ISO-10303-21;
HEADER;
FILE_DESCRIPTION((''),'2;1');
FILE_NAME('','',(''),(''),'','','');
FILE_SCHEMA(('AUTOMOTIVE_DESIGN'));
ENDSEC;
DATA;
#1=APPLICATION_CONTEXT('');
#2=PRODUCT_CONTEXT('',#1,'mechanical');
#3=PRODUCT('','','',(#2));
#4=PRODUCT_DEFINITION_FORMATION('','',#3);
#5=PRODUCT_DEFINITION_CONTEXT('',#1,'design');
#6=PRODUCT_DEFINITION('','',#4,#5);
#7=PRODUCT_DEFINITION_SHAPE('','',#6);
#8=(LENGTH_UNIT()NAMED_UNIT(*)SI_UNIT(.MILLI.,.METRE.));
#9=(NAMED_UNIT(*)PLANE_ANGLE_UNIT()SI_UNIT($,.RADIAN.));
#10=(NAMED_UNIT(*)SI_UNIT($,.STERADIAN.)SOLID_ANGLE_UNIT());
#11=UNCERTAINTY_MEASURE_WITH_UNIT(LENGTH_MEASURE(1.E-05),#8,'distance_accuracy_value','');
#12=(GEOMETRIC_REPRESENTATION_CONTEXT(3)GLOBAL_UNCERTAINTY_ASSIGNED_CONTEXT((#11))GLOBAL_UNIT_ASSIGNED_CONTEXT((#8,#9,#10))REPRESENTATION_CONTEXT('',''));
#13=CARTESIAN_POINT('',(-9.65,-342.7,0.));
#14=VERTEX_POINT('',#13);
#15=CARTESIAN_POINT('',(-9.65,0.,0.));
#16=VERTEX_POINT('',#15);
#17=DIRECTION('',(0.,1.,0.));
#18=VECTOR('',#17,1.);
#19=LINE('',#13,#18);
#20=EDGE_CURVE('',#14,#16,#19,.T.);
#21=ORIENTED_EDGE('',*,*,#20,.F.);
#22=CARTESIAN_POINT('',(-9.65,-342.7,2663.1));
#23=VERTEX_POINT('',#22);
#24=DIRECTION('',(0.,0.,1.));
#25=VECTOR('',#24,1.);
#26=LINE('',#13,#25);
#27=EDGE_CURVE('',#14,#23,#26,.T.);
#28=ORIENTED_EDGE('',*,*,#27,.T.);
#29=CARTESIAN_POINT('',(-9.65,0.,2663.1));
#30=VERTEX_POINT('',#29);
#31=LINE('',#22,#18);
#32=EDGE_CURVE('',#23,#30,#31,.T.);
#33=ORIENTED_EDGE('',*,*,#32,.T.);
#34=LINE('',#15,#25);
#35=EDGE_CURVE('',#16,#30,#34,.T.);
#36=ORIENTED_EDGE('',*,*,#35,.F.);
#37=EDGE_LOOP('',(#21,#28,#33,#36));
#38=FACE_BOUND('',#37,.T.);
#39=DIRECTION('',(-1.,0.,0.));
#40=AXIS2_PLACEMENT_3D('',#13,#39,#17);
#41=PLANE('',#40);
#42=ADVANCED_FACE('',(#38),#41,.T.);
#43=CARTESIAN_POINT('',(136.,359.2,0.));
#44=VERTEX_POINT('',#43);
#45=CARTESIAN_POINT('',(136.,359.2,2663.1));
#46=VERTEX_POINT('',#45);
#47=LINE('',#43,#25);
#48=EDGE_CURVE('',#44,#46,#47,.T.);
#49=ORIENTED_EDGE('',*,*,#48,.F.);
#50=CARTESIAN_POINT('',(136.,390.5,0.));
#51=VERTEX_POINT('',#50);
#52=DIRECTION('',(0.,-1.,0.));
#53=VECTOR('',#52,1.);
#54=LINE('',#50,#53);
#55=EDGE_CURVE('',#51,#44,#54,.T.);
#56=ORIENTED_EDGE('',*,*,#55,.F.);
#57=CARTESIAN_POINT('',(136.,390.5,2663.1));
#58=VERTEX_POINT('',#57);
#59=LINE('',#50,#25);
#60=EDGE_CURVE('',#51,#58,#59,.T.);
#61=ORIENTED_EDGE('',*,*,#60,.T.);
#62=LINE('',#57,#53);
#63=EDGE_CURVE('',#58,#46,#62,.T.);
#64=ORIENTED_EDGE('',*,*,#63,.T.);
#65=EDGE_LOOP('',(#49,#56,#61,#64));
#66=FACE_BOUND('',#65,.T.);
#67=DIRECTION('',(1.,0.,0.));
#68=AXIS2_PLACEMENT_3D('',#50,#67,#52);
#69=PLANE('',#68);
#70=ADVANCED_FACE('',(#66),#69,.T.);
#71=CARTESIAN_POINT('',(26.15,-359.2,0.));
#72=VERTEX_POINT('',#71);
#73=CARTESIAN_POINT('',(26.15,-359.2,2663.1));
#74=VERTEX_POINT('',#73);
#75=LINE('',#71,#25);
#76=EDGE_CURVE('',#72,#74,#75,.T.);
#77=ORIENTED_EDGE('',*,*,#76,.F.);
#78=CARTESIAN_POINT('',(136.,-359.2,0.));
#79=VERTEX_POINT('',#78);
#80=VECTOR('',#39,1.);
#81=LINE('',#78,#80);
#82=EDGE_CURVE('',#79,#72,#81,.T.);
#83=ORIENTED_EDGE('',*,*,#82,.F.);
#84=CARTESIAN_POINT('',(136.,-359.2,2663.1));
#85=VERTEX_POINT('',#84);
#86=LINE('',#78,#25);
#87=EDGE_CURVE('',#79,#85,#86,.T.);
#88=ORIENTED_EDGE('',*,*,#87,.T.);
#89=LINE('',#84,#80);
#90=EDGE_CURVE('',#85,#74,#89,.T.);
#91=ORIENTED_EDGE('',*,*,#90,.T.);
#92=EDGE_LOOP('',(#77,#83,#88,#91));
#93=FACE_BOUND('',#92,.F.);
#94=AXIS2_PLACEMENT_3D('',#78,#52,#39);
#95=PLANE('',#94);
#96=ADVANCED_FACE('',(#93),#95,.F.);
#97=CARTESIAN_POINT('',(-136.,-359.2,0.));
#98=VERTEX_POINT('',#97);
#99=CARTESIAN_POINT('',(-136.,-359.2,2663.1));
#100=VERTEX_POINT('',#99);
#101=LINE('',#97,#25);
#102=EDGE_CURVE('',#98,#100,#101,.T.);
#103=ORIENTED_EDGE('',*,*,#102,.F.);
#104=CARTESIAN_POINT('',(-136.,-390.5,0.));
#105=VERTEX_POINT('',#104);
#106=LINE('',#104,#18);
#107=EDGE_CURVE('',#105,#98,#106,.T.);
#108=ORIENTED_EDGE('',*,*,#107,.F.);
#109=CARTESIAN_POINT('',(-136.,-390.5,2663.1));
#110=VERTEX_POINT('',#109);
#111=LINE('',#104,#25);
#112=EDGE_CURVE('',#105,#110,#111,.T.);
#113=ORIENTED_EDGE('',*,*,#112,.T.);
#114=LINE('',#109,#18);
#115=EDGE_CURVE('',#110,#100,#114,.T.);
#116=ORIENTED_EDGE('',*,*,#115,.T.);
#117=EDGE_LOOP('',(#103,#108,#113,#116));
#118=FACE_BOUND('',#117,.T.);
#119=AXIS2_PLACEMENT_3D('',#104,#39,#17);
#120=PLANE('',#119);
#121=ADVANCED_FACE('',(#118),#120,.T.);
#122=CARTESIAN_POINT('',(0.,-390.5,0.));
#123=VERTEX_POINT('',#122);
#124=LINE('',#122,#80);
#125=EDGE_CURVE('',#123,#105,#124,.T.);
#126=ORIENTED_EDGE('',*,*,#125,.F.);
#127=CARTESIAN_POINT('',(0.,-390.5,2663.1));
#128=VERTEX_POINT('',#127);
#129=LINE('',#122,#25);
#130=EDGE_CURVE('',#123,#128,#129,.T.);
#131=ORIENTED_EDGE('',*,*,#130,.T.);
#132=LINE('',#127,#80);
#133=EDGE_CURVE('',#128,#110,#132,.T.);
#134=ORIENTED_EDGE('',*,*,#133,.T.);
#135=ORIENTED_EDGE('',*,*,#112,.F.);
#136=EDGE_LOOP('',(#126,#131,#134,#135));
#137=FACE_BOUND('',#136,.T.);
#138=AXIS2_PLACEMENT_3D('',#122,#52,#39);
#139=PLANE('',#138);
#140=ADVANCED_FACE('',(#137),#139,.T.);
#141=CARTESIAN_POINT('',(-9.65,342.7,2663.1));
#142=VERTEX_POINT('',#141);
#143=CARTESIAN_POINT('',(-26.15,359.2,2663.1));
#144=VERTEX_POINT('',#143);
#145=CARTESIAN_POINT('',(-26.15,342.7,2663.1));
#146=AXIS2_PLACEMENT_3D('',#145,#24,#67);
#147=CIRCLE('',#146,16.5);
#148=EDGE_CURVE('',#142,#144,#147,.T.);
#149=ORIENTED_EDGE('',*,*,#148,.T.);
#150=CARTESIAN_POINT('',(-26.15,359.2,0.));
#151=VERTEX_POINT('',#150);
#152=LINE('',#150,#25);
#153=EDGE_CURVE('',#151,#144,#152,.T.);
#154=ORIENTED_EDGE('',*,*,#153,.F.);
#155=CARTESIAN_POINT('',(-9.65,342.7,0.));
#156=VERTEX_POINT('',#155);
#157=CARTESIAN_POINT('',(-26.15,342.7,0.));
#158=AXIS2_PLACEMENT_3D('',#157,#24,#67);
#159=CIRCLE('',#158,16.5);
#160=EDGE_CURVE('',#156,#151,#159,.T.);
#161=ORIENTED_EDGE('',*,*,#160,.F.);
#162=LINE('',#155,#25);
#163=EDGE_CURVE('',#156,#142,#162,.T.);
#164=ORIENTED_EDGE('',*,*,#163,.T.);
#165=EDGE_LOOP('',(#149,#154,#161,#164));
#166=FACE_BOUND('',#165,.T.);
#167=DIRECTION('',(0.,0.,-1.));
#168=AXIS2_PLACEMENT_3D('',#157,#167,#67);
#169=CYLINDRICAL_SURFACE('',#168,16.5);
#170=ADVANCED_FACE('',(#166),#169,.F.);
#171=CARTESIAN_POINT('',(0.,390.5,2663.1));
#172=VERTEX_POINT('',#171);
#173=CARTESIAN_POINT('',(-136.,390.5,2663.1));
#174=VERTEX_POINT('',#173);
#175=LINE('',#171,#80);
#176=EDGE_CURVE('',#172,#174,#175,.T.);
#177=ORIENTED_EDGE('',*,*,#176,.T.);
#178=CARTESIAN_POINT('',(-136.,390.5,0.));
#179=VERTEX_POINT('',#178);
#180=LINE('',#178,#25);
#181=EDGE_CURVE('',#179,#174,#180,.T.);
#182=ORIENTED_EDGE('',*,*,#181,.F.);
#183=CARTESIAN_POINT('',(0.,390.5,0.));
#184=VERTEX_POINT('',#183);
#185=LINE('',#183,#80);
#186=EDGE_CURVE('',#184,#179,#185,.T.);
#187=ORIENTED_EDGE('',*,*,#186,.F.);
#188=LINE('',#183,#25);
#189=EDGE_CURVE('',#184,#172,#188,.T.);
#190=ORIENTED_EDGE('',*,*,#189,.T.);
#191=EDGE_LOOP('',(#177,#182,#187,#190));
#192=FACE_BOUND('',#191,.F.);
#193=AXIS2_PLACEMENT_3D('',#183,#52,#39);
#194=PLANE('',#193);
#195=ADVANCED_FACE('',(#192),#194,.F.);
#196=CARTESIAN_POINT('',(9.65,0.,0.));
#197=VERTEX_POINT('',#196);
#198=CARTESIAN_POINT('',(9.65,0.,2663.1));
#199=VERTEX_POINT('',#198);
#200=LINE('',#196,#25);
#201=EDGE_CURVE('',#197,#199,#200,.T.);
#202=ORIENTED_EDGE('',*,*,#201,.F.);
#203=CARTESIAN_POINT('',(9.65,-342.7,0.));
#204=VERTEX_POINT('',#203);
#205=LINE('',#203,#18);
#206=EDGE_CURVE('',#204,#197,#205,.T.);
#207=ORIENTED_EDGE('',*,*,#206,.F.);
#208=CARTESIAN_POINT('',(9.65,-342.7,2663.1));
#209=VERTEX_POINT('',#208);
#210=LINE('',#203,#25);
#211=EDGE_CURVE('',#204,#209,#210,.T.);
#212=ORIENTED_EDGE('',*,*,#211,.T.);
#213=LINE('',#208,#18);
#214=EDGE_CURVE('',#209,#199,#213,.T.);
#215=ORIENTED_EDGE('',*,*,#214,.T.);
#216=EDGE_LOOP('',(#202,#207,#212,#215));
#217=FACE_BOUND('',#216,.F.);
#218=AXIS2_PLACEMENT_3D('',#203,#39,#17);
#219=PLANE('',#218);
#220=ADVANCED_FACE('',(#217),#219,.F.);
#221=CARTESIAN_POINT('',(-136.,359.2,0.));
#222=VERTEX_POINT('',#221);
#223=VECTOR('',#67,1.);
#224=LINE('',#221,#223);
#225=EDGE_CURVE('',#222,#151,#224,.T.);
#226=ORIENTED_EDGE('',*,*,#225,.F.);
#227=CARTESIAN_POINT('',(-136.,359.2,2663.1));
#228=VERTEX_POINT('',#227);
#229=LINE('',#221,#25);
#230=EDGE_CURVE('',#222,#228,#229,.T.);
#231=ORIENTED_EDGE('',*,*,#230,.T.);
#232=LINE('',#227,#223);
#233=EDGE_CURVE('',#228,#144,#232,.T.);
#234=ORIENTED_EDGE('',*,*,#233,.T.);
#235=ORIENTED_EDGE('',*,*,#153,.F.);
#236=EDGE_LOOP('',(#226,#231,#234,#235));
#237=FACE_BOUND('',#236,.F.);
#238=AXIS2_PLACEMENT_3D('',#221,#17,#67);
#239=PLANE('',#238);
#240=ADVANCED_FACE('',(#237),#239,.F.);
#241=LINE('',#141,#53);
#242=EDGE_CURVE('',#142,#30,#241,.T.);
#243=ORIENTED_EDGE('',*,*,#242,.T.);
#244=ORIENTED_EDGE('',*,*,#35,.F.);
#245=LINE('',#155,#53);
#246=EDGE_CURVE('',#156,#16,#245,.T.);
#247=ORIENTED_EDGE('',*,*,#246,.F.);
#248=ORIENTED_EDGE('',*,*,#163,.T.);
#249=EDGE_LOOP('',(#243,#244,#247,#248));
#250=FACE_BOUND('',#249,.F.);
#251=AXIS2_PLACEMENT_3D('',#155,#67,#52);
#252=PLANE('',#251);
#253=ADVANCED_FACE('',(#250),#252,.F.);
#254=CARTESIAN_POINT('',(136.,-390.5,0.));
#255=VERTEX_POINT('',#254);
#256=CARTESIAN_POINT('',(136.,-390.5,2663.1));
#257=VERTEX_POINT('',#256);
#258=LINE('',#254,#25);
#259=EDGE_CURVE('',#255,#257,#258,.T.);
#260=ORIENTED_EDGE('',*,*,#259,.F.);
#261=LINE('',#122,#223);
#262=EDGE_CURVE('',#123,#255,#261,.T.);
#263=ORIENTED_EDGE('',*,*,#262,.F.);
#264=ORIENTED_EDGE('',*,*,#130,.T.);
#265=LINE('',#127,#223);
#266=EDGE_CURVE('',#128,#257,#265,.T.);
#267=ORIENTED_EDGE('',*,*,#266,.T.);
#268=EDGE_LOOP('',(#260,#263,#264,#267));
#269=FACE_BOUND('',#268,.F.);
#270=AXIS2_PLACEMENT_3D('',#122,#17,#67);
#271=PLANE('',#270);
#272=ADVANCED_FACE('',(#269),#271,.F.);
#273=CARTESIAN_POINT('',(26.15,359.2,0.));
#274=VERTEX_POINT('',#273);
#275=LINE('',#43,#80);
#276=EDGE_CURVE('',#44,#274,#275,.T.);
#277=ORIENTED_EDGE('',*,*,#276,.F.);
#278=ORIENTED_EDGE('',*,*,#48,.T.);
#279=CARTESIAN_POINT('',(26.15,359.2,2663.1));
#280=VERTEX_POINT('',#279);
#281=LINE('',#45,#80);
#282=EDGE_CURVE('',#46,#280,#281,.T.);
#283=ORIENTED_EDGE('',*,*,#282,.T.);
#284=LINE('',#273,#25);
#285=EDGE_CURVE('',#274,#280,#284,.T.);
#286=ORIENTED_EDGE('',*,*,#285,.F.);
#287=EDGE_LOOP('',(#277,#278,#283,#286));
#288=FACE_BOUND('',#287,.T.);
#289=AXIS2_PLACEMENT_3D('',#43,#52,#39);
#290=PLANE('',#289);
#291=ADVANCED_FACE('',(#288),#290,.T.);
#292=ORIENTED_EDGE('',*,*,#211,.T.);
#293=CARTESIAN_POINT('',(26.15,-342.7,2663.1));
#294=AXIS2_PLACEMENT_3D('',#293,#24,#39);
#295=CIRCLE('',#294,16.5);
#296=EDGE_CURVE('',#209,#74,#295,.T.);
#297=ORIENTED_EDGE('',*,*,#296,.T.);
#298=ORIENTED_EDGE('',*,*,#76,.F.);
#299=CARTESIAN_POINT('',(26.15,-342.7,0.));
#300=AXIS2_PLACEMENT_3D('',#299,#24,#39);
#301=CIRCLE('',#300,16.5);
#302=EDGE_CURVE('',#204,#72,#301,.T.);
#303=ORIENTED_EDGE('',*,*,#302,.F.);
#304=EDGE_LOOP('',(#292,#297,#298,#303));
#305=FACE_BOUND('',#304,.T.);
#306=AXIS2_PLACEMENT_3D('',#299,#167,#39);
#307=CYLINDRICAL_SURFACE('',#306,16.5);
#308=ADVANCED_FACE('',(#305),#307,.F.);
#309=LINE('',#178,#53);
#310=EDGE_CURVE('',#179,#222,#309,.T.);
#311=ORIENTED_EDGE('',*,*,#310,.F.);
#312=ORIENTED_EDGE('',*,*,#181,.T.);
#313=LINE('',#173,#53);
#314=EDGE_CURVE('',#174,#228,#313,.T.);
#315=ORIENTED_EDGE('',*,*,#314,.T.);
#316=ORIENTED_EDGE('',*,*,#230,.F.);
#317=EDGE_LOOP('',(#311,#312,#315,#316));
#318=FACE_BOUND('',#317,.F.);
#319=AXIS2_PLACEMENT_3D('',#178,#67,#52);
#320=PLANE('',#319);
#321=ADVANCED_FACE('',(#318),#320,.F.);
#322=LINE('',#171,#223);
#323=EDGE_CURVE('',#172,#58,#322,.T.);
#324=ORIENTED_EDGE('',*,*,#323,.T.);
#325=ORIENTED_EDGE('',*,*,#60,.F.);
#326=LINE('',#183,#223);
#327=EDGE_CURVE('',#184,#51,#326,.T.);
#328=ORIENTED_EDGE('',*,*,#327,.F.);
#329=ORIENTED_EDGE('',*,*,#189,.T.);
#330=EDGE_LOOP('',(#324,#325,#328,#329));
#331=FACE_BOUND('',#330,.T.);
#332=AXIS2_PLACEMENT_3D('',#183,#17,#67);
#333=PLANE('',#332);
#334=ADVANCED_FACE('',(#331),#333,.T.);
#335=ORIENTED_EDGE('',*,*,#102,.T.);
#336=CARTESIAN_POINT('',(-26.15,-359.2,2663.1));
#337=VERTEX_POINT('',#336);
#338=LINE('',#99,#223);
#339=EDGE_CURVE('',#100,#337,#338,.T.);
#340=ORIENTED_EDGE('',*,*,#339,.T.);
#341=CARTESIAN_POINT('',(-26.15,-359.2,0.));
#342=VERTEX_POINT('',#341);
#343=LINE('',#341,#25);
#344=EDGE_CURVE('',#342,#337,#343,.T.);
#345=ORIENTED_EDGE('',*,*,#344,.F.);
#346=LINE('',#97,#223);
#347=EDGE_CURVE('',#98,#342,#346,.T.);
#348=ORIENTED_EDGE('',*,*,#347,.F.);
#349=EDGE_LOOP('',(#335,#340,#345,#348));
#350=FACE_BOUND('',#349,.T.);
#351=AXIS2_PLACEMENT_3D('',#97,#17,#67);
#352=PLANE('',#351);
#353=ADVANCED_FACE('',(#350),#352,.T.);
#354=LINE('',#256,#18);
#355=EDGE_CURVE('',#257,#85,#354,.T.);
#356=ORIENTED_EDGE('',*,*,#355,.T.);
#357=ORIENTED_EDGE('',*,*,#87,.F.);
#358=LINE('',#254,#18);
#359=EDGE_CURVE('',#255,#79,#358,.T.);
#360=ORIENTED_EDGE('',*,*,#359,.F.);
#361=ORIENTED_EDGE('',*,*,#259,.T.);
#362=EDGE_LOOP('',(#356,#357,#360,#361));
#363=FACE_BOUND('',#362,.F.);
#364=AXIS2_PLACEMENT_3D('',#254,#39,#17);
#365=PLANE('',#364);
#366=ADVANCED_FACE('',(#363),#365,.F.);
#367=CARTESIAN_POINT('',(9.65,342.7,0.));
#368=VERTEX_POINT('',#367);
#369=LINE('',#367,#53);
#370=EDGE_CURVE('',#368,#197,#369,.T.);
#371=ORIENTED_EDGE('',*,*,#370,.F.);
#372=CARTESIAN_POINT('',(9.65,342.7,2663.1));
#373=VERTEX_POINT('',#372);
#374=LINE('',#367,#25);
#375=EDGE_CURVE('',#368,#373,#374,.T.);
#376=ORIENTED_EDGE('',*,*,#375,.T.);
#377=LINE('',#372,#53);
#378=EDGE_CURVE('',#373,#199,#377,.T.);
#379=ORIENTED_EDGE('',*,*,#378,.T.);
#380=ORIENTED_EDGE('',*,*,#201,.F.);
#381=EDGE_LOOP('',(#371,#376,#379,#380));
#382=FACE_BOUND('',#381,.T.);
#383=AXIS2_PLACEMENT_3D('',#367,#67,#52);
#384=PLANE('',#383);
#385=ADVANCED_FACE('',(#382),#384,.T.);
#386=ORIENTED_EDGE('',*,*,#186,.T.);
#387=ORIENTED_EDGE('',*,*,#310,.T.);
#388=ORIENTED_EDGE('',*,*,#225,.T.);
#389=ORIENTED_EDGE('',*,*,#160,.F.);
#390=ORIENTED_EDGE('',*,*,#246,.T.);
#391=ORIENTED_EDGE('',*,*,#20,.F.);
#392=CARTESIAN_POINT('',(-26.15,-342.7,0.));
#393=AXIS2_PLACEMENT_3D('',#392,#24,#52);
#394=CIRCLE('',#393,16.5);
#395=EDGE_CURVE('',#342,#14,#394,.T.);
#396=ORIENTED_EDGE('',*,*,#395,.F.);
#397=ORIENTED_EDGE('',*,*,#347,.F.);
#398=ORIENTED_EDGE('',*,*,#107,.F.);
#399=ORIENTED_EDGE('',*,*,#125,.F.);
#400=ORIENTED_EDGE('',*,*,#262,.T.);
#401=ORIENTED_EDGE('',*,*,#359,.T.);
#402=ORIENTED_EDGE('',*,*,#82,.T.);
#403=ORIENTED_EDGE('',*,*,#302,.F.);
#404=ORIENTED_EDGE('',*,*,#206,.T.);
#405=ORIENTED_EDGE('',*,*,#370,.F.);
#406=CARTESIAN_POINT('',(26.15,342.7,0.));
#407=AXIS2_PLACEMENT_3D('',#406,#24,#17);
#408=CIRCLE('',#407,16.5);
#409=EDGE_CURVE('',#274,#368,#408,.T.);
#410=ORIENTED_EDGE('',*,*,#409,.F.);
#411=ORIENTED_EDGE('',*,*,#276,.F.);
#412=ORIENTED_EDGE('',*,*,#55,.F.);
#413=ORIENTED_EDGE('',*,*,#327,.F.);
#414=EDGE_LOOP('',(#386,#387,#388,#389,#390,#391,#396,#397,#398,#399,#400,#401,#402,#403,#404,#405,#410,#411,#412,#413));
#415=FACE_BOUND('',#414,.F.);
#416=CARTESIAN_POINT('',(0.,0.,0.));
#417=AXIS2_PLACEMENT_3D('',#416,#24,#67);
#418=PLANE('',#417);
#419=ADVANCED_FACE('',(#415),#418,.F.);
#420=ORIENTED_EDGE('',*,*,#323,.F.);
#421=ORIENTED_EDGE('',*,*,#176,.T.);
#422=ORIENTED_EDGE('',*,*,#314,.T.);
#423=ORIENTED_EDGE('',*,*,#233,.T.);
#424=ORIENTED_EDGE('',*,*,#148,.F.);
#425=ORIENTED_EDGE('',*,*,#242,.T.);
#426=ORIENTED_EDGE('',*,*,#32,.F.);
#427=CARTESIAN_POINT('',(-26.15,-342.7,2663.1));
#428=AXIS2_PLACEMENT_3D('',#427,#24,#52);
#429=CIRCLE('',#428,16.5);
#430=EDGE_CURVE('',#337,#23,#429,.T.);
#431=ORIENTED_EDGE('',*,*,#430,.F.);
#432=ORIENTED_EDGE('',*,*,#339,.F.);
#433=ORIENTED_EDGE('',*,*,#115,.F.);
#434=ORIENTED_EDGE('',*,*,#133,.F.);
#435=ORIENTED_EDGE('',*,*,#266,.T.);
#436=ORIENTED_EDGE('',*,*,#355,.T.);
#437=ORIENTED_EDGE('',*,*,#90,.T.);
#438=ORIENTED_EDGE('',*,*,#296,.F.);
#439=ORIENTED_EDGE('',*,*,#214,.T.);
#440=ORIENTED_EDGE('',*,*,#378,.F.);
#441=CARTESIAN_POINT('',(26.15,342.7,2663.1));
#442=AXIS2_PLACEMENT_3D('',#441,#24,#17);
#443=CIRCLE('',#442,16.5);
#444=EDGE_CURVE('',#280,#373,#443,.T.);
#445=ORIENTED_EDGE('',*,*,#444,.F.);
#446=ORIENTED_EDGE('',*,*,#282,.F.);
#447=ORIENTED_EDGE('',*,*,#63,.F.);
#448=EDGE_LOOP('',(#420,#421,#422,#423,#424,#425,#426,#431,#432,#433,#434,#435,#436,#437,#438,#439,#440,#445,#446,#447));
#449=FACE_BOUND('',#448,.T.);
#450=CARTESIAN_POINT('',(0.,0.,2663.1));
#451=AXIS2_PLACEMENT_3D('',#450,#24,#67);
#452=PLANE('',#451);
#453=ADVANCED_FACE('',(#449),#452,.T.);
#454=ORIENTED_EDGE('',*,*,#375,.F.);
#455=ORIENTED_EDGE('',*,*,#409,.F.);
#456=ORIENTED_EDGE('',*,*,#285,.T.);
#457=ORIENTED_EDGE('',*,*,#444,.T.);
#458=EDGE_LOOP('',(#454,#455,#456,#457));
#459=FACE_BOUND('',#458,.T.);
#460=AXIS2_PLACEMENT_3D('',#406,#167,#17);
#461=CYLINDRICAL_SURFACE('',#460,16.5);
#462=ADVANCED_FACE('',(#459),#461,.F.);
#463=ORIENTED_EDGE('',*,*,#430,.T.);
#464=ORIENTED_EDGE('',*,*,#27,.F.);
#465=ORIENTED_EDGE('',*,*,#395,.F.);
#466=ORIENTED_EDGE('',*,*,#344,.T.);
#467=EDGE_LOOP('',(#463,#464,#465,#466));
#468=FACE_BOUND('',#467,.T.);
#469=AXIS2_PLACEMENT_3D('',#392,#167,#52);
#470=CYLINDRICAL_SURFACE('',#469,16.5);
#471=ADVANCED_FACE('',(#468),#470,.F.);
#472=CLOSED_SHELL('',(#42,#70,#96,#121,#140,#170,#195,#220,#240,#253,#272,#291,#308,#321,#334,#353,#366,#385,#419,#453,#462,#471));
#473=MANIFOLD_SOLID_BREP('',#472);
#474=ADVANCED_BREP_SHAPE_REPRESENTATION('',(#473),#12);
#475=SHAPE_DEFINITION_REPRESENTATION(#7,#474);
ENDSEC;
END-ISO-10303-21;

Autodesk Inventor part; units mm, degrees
ref_plane "YZ Plane" through (0, 0, 0) normal (1, 0, 0) x (0, 1, 0)
ref_plane "Start plane" through (0, 0, 0) normal (0, 0, 1) x (1, 0, 0)
ref_plane "End plane" through (0, 0, 2663.1) normal (0, 0, 1) x (1, 0, 0)
sketch "Sketch" plane through (0, 0, 0) normal (0, 0, 1) x (1, 0, 0)
  line L0 (-136, -390.5) -> (-136, -359.2)
  line L1 (-136, -359.2) -> (-26.15, -359.2)
  line L2 (-9.65, -342.7) -> (-9.65, 0)
  line L3 (-9.65, 0) -> (0, 0) construction
  line L4 (0, 0) -> (0, -390.5) construction
  line L5 (0, -390.5) -> (-136, -390.5)
  line L6 (-60, 0) -> (80, 0) construction
  line L7 (0, -60) -> (0, 80) construction
  line L8 (136, -390.5) -> (136, -359.2)
  line L9 (136, -359.2) -> (26.15, -359.2)
  line L10 (9.65, -342.7) -> (9.65, 0)
  line L11 (9.65, 0) -> (0, 0) construction
  line L12 (0, -390.5) -> (136, -390.5)
  line L13 (-136, 390.5) -> (-136, 359.2)
  line L14 (-136, 359.2) -> (-26.15, 359.2)
  line L15 (-9.65, 342.7) -> (-9.65, 0)
  line L16 (0, 390.5) -> (-136, 390.5)
  line L17 (136, 390.5) -> (136, 359.2)
  line L18 (136, 359.2) -> (26.15, 359.2)
  line L19 (0, 390.5) -> (136, 390.5)
  line L20 (9.65, 342.7) -> (9.65, 0)
  arc A0 (-9.65, 342.7) -> (-26.15, 359.2) centre (-26.15, 342.7) ccw
  arc A1 (26.15, 359.2) -> (9.65, 342.7) centre (26.15, 342.7) ccw
  arc A2 (9.65, -342.7) -> (26.15, -359.2) centre (26.15, -342.7) ccw
  arc A3 (-26.15, -359.2) -> (-9.65, -342.7) centre (-26.15, -342.7) ccw
  line L21 (0, 108) -> (0, -88) construction
  line L22 (-88, 0) -> (108, 0) construction
  point P0 (-9.65, -359.2)
  point P1 (9.65, -359.2)
  point P2 (-9.65, 359.2)
  point P3 (9.65, 359.2)
  dimension "d1" = 390.5
  dimension "d2" = 31.3
  dimension "d3" = 136
  dimension "d4" = 9.65
  dimension "d10" = 16.5
extrude "Body" add sketch "Sketch" along normal up to surface (2663.1 mm away) from surface at 0
sketch "Sketch4" plane through (0, 0, 0) normal (0, 0, 1) x (1, 0, 0)
  line L0 (0, 0) -> (10, 0)
ref_plane "Work Plane3" through (0, 0, 0) normal (0, -1, 0) x (1, 0, 0)
sketch "Sketch5" plane through (0, 0, 0) normal (0, -1, 0) x (1, 0, 0)
  line L0 (-2, 0) -> (12, 0) projected
  line L1 (-2, 2663.1) -> (12, 2663.1) projected
  dimension "d14" = 2663.1
equation "\"d1\" = 0.5 * G_H"
equation "\"d2\" = G_T1"
equation "\"d3\" = 0.5 * G_W"
equation "\"d4\" = 0.5 * G_T"
equation "\"d10\" = G_IR"
equation "\"d5\" = G_L"
equation "\"G_W\" = 272"
equation "\"G_H\" = 781"
equation "\"G_T\" = 19.3"
equation "\"G_T1\" = 31.3"
equation "\"G_IR\" = 16.5"
equation "\"G_L\" = d14"
equation "\"G_OFFSET_START\" = 0"
equation "\"G_OFFSET_END\" = 0"
equation "\"d12\" = G_OFFSET_END + B_L"
equation "\"B_L\" = 2663.1"
properties part number "AS 3679-1990 - 760 UB - 244 - 2663.1" material "Steel, Mild"
